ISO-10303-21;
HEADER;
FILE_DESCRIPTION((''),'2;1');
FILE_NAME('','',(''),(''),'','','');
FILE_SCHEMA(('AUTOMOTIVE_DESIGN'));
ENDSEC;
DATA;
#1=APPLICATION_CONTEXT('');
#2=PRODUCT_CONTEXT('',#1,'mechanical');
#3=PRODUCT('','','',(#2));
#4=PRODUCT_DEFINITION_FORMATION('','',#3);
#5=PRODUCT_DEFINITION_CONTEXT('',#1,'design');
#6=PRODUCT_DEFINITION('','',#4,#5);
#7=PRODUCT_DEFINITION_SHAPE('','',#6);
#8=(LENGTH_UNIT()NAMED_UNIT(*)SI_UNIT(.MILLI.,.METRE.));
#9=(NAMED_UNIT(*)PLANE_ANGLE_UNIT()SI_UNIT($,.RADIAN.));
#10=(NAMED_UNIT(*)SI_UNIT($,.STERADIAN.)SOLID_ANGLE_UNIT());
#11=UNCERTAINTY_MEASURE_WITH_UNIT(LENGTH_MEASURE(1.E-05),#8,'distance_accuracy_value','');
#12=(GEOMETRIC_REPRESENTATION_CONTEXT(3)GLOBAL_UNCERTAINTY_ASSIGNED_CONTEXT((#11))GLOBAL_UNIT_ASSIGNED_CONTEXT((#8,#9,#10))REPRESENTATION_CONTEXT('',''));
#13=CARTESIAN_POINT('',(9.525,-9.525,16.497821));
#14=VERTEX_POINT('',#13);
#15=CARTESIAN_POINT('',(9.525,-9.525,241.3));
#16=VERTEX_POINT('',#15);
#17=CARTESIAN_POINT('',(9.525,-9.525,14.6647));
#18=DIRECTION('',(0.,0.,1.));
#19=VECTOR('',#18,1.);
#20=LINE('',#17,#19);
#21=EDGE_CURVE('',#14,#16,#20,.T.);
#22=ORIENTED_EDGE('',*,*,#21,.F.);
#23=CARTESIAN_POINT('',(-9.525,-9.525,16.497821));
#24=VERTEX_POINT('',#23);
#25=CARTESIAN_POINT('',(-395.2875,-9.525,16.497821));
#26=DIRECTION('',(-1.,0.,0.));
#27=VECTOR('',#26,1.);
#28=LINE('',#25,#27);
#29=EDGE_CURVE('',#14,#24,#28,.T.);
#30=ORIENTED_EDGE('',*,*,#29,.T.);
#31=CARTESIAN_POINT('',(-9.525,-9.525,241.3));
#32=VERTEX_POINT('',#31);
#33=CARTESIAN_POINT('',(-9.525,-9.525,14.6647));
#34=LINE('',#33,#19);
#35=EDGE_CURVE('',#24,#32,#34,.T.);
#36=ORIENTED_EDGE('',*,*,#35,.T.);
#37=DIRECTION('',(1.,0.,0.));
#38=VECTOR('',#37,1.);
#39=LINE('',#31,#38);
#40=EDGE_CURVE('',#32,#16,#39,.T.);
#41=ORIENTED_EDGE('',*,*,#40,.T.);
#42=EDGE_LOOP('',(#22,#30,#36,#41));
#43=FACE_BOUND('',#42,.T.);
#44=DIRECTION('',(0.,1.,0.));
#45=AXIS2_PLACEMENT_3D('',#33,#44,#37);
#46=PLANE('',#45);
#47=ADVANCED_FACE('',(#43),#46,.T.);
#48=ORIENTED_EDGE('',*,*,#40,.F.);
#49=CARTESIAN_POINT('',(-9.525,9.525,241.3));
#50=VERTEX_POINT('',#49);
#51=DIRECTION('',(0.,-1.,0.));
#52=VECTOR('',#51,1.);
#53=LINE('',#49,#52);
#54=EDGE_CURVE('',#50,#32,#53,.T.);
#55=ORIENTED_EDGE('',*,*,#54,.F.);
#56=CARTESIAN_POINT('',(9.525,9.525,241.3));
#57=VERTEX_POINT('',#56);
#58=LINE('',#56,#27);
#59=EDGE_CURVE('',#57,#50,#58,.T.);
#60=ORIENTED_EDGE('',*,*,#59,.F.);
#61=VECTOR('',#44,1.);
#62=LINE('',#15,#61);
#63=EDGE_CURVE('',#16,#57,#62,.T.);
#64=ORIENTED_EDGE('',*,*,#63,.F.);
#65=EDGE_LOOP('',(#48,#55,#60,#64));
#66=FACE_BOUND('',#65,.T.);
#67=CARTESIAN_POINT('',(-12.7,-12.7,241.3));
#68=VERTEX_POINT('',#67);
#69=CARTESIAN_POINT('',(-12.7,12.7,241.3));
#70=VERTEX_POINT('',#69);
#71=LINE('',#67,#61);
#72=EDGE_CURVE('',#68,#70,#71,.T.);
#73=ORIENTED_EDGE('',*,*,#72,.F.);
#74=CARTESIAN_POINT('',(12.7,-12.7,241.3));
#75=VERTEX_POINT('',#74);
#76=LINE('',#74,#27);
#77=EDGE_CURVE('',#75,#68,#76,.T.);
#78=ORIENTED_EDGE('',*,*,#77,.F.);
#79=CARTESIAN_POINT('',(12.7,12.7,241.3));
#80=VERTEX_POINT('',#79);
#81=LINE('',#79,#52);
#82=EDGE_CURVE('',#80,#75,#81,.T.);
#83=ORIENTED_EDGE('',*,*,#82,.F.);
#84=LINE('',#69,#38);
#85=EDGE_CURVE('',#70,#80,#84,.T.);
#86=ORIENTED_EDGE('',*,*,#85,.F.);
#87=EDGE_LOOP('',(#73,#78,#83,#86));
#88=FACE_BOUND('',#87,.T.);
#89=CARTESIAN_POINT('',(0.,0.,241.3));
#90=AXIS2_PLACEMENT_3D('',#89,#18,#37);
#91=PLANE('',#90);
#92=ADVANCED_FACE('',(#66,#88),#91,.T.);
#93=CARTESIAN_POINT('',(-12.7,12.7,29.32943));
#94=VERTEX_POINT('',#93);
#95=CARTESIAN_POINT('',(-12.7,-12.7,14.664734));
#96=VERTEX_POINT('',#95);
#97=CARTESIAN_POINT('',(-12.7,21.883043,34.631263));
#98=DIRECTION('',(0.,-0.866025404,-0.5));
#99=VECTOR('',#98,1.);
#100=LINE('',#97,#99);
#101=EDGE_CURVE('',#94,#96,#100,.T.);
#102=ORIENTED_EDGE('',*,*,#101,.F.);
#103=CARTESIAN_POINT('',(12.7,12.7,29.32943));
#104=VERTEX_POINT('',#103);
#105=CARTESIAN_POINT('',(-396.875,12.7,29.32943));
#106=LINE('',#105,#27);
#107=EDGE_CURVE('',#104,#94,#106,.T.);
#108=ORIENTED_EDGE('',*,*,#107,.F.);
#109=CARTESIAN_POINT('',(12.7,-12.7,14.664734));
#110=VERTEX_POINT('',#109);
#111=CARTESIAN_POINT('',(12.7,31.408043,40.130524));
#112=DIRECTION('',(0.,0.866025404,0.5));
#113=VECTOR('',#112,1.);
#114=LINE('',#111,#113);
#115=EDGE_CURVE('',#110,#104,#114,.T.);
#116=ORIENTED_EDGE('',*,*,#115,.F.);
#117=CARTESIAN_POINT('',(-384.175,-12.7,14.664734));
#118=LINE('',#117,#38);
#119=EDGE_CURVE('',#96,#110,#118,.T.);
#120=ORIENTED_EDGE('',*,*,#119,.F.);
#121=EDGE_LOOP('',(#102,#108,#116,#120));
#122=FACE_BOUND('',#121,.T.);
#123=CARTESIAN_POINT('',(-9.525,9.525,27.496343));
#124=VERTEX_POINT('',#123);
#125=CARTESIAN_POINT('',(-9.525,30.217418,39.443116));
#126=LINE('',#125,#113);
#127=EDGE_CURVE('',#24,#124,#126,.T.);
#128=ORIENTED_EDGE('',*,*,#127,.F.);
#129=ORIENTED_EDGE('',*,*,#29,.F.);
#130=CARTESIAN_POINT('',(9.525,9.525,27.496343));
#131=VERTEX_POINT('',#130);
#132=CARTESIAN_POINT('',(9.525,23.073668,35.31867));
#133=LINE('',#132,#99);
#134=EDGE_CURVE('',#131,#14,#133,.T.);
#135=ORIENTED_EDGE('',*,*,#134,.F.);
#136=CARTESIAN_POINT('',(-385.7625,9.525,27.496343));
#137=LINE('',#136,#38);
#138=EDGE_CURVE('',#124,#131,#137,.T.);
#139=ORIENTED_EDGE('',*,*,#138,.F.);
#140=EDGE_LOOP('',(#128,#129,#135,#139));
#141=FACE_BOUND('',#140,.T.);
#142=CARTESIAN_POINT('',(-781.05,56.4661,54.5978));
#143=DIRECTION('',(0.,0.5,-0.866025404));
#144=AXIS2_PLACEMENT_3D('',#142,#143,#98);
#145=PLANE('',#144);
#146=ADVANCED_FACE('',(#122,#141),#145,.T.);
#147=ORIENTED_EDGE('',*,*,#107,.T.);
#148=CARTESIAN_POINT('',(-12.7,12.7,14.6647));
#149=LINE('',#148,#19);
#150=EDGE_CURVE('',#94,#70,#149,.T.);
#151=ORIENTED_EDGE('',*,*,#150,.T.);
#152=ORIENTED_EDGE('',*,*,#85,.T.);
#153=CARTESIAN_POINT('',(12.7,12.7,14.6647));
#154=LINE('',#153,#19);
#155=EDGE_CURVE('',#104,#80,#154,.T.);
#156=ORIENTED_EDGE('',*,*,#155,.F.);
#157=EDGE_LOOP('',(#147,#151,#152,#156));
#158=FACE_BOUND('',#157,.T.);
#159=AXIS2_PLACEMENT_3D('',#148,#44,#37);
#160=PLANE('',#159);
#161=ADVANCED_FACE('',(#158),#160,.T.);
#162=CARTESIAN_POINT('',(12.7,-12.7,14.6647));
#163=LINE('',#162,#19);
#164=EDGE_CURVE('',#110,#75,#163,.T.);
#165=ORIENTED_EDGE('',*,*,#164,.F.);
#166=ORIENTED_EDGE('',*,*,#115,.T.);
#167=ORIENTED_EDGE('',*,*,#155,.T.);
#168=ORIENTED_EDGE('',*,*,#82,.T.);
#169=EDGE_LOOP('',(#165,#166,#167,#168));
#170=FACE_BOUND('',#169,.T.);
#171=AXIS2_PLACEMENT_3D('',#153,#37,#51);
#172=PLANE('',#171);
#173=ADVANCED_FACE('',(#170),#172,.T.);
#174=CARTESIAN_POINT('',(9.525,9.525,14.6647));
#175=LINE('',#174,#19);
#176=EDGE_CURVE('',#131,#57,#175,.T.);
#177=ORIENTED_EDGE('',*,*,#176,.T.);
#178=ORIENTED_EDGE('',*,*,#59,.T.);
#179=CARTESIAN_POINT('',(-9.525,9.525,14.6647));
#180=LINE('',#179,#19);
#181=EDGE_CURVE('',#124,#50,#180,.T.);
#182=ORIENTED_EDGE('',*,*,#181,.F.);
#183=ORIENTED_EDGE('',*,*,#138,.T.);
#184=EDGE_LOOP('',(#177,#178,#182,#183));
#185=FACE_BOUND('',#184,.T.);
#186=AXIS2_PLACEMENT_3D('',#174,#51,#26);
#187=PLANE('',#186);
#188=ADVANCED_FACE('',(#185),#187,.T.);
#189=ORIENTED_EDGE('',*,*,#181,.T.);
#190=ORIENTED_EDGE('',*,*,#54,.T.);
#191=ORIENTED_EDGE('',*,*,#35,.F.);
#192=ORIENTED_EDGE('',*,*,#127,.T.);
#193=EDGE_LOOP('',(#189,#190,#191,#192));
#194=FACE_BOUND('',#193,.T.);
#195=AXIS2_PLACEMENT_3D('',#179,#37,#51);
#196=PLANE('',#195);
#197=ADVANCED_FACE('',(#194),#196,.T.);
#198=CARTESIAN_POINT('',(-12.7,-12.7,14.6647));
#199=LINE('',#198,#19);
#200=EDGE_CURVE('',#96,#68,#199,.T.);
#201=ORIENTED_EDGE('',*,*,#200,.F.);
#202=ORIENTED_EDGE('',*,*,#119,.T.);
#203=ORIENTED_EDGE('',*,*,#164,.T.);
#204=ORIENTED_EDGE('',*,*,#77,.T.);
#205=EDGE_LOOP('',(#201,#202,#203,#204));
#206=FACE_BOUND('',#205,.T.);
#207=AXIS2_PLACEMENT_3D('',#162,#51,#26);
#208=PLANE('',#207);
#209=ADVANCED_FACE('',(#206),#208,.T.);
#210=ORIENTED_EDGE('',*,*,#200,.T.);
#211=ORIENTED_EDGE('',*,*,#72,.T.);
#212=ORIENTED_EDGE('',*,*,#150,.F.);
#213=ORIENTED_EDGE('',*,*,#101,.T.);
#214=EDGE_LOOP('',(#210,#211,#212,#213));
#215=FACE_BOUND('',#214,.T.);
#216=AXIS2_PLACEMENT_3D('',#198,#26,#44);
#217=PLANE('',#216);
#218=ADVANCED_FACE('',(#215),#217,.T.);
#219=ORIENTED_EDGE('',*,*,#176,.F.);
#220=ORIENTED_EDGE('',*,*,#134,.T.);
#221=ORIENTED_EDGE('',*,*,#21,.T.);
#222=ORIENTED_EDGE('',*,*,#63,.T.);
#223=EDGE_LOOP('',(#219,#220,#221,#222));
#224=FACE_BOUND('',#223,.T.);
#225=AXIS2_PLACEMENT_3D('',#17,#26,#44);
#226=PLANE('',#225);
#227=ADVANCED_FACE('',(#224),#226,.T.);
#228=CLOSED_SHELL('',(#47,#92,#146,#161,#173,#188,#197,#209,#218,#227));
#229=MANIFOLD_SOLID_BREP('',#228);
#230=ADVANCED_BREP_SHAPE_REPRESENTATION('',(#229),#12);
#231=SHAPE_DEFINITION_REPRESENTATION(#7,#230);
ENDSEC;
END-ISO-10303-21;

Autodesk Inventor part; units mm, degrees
ref_plane "Start Plane" through (0, 0, 14.6647) normal (0, 0, 1) x (1, 0, 0)
ref_plane "End Plane" through (0, 0, 241.3) normal (0, 0, 1) x (1, 0, 0)
sketch "Sketch" plane through (0, 0, 0) normal (0, 0, 1) x (1, 0, 0)
  line L0 (-12.7, 12.7) -> (12.7, 12.7)
  line L1 (12.7, 12.7) -> (12.7, -12.7)
  line L2 (12.7, -12.7) -> (-12.7, -12.7)
  line L3 (-12.7, -12.7) -> (-12.7, 12.7)
  line L4 (9.525, 9.525) -> (-9.525, 9.525)
  line L5 (-9.525, 9.525) -> (-9.525, -9.525)
  line L6 (-9.525, -9.525) -> (9.525, -9.525)
  line L7 (9.525, -9.525) -> (9.525, 9.525)
  point P0 (0, 0)
  point P1 (0, 12.7)
  point P2 (-12.7, 0)
  dimension "width" = 25.4
  dimension "d1" = 3.175
extrude "Body" add sketch "Sketch" along normal up to surface (226.6353 mm away) from surface at 14.6647
sketch "Sketch4" plane through (0, 0, 0) normal (0, 0, 1) x (1, 0, 0)
  line L0 (0, 0) -> (10, 0)
ref_plane "Work Plane4" through (0, 0, 0) normal (0, -1, 0) x (1, 0, 0)
sketch "Sketch5" plane through (0, 0, 0) normal (0, -1, 0) x (1, 0, 0)
  line L0 (-2, 14.6647) -> (12, 14.6647)
  line L1 (-2, 241.3) -> (12, 241.3)
  dimension "d9" = 226.6353
ref_plane "Work Plane5" through (-781.05, 56.4661, 54.5978) normal (0, 0.5, -0.866) x (1, 0, 0)
split "Split1" plane through (-781.05, 56.4661, 54.5978) removes the side toward (0, 0.5, -0.866)
ref_plane "Work Plane6" through (-762, 12.7, 241.3) normal (0, 0, 1) x (1, 0, 0)
split "Split2" plane through (-762, 12.7, 241.3) removes the side toward (0, 0, 1)
equation "\"G_OFFSET_START\" = -14.6647"
equation "\"G_OFFSET_END\" = -12.7"
equation "\"d4\" = -G_OFFSET_START"
equation "\"d5\" = length + G_OFFSET_END"
equation "\"G_L\" = 254"
equation "\"length\" = 254"
properties part number "Square Tube Profile" material "Aluminum-6061"
